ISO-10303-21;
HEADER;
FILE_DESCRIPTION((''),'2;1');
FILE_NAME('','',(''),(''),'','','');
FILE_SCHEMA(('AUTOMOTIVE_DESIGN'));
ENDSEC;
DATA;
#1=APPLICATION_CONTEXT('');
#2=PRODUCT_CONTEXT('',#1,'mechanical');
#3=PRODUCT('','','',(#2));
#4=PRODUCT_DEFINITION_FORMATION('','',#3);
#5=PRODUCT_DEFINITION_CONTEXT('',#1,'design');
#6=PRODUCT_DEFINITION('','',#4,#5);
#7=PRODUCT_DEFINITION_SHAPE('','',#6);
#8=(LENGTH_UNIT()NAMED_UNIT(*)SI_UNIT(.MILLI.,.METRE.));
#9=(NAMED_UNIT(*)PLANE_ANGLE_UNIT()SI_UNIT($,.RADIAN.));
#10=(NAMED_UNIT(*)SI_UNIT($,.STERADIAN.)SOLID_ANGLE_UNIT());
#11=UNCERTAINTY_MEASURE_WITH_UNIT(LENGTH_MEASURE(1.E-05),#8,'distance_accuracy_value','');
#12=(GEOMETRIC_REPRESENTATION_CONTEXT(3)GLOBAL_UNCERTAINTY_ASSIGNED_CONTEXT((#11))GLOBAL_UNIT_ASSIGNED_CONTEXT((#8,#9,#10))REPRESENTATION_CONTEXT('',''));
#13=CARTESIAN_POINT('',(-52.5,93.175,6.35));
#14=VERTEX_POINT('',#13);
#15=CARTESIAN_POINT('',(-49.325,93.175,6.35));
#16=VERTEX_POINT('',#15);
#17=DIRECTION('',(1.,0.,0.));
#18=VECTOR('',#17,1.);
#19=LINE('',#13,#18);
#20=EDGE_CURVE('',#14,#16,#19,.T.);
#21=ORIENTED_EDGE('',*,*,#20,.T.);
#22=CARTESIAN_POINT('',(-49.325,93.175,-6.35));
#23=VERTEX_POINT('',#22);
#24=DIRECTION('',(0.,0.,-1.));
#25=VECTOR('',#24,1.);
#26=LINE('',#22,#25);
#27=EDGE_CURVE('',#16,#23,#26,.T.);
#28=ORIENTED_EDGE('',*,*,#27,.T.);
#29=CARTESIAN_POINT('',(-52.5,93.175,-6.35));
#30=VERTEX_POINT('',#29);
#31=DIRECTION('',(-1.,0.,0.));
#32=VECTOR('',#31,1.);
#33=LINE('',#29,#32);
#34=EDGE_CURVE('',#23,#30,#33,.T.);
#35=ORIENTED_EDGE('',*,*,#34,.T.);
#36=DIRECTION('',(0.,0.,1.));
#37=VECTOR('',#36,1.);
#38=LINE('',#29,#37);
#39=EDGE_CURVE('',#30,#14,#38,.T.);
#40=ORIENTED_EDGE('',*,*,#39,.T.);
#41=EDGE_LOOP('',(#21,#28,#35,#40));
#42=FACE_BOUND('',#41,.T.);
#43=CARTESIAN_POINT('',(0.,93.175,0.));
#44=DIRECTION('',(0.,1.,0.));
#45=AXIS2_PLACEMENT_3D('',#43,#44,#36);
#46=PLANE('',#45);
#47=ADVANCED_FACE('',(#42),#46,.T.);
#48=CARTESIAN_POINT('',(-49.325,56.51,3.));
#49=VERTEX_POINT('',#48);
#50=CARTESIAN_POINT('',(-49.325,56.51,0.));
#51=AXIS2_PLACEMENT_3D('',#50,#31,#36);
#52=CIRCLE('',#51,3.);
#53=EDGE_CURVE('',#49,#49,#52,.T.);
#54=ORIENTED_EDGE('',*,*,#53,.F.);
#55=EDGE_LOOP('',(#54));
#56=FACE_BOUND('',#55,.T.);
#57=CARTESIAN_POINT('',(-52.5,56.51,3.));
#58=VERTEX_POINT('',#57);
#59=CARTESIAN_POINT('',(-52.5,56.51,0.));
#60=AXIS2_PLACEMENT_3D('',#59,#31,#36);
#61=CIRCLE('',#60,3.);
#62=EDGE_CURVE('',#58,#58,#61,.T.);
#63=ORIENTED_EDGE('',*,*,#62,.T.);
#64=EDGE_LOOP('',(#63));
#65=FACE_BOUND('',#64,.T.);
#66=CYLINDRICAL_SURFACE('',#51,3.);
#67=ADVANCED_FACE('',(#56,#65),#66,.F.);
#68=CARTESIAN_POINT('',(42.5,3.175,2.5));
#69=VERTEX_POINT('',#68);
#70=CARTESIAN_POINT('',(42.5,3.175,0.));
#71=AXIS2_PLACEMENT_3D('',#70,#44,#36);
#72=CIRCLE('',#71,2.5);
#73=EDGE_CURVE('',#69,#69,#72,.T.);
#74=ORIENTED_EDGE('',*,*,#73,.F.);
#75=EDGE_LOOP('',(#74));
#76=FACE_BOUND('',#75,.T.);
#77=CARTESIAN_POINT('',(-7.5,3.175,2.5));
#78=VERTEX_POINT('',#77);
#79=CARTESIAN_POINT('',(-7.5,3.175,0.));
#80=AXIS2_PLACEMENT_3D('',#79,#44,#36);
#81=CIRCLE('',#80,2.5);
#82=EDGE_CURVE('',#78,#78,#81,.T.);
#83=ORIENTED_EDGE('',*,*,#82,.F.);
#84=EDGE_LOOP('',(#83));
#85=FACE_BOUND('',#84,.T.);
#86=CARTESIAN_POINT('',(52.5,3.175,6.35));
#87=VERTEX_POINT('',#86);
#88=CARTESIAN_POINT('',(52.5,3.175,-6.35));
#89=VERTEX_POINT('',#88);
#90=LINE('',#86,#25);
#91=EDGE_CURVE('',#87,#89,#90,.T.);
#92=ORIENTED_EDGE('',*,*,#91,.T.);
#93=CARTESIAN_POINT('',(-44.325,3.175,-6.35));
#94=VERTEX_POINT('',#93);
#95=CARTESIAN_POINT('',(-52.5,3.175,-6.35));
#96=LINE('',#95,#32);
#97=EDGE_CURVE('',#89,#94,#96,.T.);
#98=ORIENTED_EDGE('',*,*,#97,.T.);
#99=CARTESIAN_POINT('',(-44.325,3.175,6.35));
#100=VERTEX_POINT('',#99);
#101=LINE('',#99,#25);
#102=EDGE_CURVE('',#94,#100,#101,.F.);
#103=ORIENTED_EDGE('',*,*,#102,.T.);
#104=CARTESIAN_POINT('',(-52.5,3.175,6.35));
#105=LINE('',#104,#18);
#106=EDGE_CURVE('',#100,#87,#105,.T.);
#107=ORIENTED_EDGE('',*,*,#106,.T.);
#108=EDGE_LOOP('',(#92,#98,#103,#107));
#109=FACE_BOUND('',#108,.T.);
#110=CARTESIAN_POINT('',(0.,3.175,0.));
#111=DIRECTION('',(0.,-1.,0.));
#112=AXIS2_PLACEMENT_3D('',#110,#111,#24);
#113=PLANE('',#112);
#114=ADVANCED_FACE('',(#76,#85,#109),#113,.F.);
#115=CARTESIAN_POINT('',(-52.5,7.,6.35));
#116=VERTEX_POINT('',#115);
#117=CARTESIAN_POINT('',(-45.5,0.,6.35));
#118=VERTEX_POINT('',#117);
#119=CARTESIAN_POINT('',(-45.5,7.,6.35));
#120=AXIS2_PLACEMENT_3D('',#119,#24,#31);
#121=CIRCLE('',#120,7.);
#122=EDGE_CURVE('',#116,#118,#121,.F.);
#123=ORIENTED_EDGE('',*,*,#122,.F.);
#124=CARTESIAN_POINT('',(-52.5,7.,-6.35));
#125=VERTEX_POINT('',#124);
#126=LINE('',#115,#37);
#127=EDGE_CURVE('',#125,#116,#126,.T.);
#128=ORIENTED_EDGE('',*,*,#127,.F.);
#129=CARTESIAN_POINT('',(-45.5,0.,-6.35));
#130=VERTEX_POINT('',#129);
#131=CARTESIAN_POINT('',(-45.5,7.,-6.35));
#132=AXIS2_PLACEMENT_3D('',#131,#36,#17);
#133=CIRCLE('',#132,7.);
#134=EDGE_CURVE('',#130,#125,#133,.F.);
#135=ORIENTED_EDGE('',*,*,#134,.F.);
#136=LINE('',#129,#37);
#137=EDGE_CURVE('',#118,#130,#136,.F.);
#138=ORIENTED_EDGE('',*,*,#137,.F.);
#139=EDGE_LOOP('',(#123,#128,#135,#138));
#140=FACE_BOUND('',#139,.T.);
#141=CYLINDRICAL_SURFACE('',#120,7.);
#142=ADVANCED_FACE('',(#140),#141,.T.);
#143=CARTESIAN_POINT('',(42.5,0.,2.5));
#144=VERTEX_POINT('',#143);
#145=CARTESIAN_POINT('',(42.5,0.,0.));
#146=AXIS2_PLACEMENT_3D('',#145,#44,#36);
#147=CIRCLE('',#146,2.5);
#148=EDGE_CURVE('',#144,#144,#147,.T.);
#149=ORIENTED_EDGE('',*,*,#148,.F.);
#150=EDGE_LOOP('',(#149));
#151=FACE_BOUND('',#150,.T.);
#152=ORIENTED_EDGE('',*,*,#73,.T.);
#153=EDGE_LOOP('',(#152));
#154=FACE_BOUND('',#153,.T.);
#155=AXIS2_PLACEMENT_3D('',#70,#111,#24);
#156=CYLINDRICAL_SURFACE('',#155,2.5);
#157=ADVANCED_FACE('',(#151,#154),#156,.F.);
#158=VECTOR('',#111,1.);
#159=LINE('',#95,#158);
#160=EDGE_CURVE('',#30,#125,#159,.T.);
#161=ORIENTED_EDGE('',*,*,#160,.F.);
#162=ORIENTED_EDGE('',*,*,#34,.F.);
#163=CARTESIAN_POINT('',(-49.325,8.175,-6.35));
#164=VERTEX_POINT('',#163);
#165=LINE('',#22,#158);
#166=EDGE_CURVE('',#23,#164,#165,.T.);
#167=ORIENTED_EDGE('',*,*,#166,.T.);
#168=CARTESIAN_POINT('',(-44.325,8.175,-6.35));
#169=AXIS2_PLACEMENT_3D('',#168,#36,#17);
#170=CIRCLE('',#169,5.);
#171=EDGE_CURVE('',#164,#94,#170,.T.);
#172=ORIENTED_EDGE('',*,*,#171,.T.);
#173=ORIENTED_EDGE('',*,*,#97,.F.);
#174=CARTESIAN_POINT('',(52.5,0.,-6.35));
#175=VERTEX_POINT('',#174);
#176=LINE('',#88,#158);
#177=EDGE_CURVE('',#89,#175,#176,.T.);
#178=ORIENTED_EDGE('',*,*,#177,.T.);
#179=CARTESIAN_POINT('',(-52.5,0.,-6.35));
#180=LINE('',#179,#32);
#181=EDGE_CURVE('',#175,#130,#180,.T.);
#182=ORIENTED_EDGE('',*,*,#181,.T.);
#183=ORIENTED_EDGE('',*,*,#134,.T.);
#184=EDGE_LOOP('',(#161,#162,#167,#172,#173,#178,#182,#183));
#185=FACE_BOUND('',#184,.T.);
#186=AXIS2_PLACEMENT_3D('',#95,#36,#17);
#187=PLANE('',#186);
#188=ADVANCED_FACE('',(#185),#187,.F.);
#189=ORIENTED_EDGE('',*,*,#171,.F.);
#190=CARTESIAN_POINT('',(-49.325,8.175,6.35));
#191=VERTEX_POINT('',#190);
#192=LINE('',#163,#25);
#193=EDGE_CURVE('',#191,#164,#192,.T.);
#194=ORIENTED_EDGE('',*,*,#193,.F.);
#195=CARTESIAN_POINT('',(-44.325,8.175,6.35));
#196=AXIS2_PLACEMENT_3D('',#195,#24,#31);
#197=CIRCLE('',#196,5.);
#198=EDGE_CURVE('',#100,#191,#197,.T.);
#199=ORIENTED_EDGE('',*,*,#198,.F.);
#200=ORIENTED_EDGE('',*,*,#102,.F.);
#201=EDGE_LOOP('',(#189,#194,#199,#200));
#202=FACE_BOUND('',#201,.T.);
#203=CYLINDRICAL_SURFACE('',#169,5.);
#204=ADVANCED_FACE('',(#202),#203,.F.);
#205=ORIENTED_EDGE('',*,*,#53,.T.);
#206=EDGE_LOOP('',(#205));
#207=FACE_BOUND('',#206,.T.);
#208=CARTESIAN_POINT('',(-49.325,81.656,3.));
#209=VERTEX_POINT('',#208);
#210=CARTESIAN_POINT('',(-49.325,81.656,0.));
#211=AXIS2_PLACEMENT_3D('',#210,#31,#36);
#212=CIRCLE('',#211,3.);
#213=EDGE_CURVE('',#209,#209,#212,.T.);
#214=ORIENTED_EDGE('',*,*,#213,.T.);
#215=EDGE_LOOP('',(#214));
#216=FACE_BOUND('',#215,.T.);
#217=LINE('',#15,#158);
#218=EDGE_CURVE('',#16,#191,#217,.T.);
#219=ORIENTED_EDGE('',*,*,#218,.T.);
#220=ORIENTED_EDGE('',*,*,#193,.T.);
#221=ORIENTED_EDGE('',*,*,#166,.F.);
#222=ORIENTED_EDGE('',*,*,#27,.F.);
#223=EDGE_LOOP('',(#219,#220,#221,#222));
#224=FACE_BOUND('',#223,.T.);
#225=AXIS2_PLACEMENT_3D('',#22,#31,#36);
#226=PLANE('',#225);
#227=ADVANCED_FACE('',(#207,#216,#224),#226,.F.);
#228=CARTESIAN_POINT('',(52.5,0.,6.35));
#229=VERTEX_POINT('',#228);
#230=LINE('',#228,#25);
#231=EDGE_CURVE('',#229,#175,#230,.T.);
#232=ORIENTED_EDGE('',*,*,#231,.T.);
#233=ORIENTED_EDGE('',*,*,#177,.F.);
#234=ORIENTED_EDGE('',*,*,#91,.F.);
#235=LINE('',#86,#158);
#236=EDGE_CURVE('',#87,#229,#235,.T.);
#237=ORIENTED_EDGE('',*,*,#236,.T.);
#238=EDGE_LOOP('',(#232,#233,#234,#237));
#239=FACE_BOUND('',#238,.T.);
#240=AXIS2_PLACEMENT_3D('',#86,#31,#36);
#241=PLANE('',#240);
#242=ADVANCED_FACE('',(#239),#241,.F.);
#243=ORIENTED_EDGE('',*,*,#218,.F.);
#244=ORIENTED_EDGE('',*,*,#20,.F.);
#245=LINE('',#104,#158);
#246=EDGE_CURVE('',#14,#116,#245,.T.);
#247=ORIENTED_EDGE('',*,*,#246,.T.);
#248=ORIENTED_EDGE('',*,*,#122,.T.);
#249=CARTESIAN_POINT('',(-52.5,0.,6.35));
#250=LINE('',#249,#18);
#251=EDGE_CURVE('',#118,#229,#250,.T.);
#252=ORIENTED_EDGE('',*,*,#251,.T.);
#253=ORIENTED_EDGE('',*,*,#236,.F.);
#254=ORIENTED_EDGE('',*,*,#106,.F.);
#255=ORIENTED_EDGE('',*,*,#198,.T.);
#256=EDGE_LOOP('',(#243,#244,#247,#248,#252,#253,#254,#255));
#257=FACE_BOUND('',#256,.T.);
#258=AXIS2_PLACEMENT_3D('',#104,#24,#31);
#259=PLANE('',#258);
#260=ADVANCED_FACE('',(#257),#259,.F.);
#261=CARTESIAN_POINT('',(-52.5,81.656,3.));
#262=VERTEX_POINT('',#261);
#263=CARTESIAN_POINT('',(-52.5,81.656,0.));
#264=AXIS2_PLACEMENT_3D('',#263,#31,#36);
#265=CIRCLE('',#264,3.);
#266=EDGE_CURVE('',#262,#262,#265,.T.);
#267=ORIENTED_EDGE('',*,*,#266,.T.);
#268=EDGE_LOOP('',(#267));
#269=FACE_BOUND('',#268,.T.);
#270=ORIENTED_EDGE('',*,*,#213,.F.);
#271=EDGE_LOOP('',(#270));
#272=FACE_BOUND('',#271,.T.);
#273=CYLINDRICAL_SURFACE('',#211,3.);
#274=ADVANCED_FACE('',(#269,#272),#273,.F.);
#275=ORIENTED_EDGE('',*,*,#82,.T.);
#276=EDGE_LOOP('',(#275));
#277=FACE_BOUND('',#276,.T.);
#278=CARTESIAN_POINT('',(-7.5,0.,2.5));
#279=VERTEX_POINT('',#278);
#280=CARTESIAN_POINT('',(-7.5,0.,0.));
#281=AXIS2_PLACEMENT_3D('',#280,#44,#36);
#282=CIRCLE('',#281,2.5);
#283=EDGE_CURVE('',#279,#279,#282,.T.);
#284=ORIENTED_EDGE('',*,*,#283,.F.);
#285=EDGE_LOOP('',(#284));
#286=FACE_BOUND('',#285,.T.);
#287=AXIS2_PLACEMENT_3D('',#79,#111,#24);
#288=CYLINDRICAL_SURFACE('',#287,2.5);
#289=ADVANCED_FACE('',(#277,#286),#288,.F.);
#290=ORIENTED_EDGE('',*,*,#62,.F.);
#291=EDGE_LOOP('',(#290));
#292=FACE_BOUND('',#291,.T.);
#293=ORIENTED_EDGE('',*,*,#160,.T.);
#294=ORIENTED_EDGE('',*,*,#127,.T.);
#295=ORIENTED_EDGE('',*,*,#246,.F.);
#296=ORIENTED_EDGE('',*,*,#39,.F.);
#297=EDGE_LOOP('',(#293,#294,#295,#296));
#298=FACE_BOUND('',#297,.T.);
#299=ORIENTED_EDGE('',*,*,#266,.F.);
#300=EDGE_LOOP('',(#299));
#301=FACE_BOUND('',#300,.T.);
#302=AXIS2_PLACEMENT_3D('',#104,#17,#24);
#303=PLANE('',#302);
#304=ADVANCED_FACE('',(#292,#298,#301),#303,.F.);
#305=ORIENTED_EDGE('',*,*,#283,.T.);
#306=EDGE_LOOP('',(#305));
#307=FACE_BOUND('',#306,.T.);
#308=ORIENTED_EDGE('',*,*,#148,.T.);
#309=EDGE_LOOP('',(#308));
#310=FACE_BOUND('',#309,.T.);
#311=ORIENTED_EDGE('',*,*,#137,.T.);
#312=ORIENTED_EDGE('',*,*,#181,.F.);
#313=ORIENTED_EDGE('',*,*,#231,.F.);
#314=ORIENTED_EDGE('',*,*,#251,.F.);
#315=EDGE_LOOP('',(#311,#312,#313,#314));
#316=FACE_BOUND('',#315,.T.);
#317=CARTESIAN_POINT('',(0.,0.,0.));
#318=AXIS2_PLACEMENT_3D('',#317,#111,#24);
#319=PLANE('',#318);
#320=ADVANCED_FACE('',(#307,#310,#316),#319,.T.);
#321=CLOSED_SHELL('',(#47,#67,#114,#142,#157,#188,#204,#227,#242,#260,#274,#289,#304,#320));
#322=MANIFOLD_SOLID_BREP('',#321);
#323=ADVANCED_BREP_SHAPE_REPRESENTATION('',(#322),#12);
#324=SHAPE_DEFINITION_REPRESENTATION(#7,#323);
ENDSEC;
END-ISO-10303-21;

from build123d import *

# Parameters (mm, degrees)
SKETCH1_W           = 105
SKETCH1_H           = 12.7
SKETCH1_R           = 2.5
BOSS_EXTRUDE1_DEPTH = 3.175
SKETCH2_W           = 3.175
SKETCH2_H           = 12.7
BOSS_EXTRUDE2_DEPTH = 90
SKETCH3_R           = 3
CUT_EXTRUDE1_DEPTH  = 3.175
FILLET1_R           = 5
FILLET2_R           = 7


with BuildPart() as part:
    # Sketch1 → Boss-Extrude1 (new body)
    with BuildSketch(Plane(origin=(0, 0, 0), x_dir=(1, 0, 0), z_dir=(0, 1, 0))):
        Rectangle(SKETCH1_W, SKETCH1_H)
        with Locations(Location((42.5, 0, 0), (0, 0, 270))):
            Circle(SKETCH1_R, mode=Mode.SUBTRACT)
        with Locations(Location((-7.5, 0, 0), (0, 0, 270))):
            Circle(SKETCH1_R, mode=Mode.SUBTRACT)
    extrude(amount=BOSS_EXTRUDE1_DEPTH)

    # Sketch2 → Boss-Extrude2 (add)
    with BuildSketch(Plane(origin=(0, 3.175, 0), x_dir=(1, 0, 0), z_dir=(0, 1, 0))):
        with Locations((-50.9125, 0)):
            Rectangle(SKETCH2_W, SKETCH2_H)
    extrude(amount=BOSS_EXTRUDE2_DEPTH)

    # Sketch3 → Cut-Extrude1 (cut)
    with BuildSketch(Plane.ZY.offset(52.5)):
        with Locations((0, 56.51)):
            Circle(SKETCH3_R)
        with Locations((0, 81.656)):
            Circle(SKETCH3_R)
    extrude(amount=-CUT_EXTRUDE1_DEPTH, mode=Mode.SUBTRACT)

    # Fillet1
    fillet1_edges = [part.edges().sort_by_distance(p)[0] for p in [
        (-49.325, 3.175, 0),
    ]]
    fillet(fillet1_edges, radius=FILLET1_R)

    # Fillet2
    fillet2_edges = [part.edges().sort_by_distance(p)[0] for p in [
        (-52.5, 0, 0),
    ]]
    fillet(fillet2_edges, radius=FILLET2_R)


solid = part.part
